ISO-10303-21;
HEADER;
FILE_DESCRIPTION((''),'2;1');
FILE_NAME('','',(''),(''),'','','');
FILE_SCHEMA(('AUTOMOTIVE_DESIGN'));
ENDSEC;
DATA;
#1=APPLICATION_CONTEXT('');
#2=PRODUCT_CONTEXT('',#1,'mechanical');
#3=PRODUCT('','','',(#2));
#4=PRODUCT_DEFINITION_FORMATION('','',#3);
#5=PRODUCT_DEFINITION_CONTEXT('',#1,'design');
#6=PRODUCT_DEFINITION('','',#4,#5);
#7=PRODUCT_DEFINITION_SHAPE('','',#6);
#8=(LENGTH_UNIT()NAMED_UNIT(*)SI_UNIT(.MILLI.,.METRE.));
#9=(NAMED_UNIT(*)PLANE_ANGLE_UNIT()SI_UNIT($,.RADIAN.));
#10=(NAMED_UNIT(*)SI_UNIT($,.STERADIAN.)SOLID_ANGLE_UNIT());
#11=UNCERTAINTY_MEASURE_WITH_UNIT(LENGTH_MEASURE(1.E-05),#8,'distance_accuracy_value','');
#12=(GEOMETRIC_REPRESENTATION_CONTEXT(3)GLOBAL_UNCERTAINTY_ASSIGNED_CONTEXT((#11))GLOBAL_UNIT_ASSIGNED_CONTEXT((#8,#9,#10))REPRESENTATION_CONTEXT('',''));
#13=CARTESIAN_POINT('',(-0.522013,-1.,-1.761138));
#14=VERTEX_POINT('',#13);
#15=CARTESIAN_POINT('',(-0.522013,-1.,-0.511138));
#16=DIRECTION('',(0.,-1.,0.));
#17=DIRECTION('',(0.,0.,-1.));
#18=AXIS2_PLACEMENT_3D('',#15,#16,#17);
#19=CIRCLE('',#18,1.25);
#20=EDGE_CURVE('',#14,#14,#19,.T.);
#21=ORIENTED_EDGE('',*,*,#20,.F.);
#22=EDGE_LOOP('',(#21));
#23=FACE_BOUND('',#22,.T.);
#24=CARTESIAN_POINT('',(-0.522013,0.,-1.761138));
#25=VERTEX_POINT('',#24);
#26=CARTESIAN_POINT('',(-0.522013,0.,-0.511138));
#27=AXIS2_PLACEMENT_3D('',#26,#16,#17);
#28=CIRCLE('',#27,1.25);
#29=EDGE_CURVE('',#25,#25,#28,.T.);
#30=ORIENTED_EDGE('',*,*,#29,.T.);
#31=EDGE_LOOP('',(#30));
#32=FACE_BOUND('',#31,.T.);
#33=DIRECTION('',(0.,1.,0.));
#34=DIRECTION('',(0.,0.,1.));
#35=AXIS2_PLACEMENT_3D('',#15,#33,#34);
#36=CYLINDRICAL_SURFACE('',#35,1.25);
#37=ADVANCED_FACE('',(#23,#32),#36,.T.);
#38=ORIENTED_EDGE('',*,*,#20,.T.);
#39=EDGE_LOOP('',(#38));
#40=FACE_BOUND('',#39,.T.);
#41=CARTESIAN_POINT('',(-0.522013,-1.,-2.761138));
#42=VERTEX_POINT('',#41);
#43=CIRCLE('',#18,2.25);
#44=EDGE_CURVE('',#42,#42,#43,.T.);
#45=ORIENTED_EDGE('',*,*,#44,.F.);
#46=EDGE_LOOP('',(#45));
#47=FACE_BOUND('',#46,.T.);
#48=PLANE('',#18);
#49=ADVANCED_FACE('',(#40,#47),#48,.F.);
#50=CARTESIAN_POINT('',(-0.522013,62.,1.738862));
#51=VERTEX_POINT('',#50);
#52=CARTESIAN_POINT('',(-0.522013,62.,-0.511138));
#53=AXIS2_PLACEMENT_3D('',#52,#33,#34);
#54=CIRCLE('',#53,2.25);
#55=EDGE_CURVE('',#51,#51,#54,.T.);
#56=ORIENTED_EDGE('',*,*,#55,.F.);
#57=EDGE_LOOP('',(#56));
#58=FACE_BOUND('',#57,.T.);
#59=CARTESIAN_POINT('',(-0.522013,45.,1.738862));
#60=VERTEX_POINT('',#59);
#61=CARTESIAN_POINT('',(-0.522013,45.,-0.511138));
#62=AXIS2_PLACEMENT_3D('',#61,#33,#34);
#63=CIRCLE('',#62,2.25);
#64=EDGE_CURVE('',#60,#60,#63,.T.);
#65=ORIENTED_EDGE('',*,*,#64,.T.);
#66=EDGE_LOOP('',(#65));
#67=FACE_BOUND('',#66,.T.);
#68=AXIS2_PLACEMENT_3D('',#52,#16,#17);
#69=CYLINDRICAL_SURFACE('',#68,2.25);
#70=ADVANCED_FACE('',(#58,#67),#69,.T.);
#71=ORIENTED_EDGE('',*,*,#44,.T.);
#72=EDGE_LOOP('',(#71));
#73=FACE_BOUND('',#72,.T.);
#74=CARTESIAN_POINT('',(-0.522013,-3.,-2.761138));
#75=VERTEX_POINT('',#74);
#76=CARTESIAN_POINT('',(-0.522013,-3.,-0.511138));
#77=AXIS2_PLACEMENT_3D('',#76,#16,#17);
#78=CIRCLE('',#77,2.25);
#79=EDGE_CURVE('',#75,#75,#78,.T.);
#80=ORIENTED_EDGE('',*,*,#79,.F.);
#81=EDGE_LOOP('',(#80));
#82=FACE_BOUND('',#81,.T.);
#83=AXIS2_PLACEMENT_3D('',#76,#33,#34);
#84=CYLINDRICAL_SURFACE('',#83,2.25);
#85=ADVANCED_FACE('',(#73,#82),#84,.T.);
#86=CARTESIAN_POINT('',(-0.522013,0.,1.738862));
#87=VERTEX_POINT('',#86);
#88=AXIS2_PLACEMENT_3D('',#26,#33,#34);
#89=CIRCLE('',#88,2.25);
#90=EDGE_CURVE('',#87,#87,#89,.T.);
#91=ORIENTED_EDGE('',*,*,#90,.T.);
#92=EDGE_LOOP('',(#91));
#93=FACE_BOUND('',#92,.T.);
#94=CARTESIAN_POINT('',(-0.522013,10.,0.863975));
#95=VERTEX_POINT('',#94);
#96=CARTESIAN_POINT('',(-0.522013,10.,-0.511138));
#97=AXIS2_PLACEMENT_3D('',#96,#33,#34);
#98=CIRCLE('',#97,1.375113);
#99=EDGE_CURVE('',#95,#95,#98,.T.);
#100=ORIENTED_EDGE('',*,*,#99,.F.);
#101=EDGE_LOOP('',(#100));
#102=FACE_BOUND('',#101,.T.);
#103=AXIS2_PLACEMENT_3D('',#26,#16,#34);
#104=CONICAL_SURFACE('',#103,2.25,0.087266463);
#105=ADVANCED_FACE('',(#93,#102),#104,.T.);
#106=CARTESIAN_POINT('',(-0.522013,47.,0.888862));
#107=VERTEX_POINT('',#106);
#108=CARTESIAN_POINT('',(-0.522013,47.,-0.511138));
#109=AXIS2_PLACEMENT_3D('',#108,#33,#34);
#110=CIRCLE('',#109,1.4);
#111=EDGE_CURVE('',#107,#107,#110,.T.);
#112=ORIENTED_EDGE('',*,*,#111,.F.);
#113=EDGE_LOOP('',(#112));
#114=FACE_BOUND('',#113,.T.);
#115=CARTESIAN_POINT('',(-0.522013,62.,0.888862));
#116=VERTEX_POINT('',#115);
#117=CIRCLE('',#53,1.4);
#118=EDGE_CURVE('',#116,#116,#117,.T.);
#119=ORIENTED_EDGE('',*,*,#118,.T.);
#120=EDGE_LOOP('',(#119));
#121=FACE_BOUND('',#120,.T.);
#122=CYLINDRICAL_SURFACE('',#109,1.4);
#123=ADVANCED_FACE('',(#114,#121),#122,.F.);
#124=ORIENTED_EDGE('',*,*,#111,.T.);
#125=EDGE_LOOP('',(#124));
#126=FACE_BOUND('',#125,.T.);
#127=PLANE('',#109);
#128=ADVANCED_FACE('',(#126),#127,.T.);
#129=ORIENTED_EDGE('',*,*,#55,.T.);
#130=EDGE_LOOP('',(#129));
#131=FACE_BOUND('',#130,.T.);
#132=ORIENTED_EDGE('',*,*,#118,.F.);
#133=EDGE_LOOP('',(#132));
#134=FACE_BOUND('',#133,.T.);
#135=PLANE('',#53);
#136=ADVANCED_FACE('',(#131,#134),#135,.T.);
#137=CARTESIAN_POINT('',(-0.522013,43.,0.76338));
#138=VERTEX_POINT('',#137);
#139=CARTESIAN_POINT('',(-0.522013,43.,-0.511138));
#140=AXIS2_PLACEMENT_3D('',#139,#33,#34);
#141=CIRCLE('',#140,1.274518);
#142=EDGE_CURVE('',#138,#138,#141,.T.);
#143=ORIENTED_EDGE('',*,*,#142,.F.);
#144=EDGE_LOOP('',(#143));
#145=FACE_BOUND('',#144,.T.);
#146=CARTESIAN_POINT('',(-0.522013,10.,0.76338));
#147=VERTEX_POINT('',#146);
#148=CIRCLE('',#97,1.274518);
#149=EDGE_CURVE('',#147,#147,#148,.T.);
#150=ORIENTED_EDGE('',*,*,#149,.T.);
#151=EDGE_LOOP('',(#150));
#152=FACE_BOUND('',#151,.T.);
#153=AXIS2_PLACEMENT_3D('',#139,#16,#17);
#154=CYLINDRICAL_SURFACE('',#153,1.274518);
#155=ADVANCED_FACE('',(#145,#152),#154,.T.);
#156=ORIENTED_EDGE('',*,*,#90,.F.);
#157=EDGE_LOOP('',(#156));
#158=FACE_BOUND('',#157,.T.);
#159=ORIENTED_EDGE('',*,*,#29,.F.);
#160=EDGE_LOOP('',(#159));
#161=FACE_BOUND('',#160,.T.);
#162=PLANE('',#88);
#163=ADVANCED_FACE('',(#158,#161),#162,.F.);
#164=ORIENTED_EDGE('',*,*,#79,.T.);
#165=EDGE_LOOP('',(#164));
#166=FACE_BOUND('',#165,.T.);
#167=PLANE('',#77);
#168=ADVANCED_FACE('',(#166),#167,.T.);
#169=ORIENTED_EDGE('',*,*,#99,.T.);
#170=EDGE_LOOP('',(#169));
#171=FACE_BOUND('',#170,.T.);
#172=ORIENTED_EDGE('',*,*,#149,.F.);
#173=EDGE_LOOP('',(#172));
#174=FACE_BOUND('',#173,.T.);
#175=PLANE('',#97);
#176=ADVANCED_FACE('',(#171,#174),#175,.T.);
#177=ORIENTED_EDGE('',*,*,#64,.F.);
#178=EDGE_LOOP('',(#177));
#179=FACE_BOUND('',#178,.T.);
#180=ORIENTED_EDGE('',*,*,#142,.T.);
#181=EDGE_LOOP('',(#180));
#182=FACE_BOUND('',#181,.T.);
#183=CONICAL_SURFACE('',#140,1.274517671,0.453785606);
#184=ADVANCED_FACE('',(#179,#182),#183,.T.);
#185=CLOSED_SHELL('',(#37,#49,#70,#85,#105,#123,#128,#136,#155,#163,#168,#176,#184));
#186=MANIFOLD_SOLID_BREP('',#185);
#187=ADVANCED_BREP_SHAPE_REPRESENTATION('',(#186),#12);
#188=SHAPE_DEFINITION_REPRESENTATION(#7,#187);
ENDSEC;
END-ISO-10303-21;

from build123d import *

# Parameters (mm, degrees)
SKETCH1_R           = 2.25
BOSS_EXTRUDE1_DEPTH = 10
BOSS_EXTRUDE1_TAPER = 5
SKETCH1_3_R         = 1.375
BOSS_EXTRUDE2_DEPTH = 1
SKETCH5_R           = 1.25
BOSS_EXTRUDE3_DEPTH = 1
SKETCH6_R           = 2.25
BOSS_EXTRUDE4_DEPTH = 2
SKETCH14_R          = 1.274517671
BOSS_EXTRUDE6_DEPTH = 33
SKETCH15_R          = 1.274517671
BOSS_EXTRUDE8_DEPTH = 2
BOSS_EXTRUDE8_DRAFT = -26
BOSS_EXTRUDE9_START = 17
SKETCH17_R          = 2.25
BOSS_EXTRUDE9_DEPTH = 17
SKETCH18_R          = 1.4
CUT_EXTRUDE2_DEPTH  = 15


with BuildPart() as part:
    # Sketch1 → Boss-Extrude1 (new body)
    with BuildSketch(Plane(origin=(0, 0, 0), x_dir=(1, 0, 0), z_dir=(0, 1, 0))):
        with Locations((-0.522013312, 0.511138034)):
            Circle(SKETCH1_R)
    extrude(amount=BOSS_EXTRUDE1_DEPTH, taper=BOSS_EXTRUDE1_TAPER)

    # Sketch1<3> → Boss-Extrude2 (add)
    with BuildSketch(Plane(origin=(0, 0, 0), x_dir=(1, 0, 0), z_dir=(0, 1, 0))):
        with Locations((-0.522013312, 0.511138034)):
            Circle(SKETCH1_3_R)
    extrude(amount=BOSS_EXTRUDE2_DEPTH)

    # Sketch5 → Boss-Extrude3 (add)
    with BuildSketch(Plane.XZ):
        with Locations((-0.522013312, -0.511138034)):
            Circle(SKETCH5_R)
    extrude(amount=BOSS_EXTRUDE3_DEPTH)

    # Sketch6 → Boss-Extrude4 (add)
    with BuildSketch(Plane.XZ.offset(1)):
        with Locations((-0.522013312, -0.511138034)):
            Circle(SKETCH6_R)
    extrude(amount=BOSS_EXTRUDE4_DEPTH)

    # Sketch14 → Boss-Extrude6 (add)
    with BuildSketch(Plane(origin=(0, 10, 0), x_dir=(1, 0, 0), z_dir=(0, 1, 0))):
        with Locations((-0.522013312, 0.511138034)):
            Circle(SKETCH14_R)
    extrude(amount=BOSS_EXTRUDE6_DEPTH)


with BuildPart() as boss_extrude8_tool:
    # Sketch15 → Boss-Extrude8 (with draft: the straight prism first)
    with BuildSketch(Plane(origin=(0, 43, 0), x_dir=(1, 0, 0), z_dir=(0, 1, 0))):
        with Locations((-0.522013312, 0.511138034)):
            Circle(SKETCH15_R)
    extrude(amount=BOSS_EXTRUDE8_DEPTH)
    # Boss-Extrude8: the draft: its side faces are tilted about the plane it starts from
    boss_extrude8_sides = [boss_extrude8_tool.faces().sort_by_distance(p)[0] for p in [
        (-1.796530983, 44, -0.511138034),
    ]]
    draft(boss_extrude8_sides, Plane(origin=(0, 43, 0), x_dir=(1, 0, 0), z_dir=(0, 1, 0)), BOSS_EXTRUDE8_DRAFT)


with BuildPart() as part_1:
    add(part.part)

    # Boss-Extrude8: add boss_extrude8_tool
    add(boss_extrude8_tool.part)

    # Sketch17 → Boss-Extrude9 (add)
    with BuildSketch(Plane(origin=(0, 45, 0), x_dir=(1, 0, 0), z_dir=(0, 1, 0)).offset(BOSS_EXTRUDE9_START)):
        with Locations((-0.522013312, 0.511138034)):
            Circle(SKETCH17_R)
    extrude(amount=-BOSS_EXTRUDE9_DEPTH)

    # Sketch18 → Cut-Extrude2 (cut)
    with BuildSketch(Plane(origin=(0, 62, 0), x_dir=(1, 0, 0), z_dir=(0, 1, 0))):
        with Locations((-0.522013312, 0.511138034)):
            Circle(SKETCH18_R)
    extrude(amount=-CUT_EXTRUDE2_DEPTH, mode=Mode.SUBTRACT)


solid = part_1.part
